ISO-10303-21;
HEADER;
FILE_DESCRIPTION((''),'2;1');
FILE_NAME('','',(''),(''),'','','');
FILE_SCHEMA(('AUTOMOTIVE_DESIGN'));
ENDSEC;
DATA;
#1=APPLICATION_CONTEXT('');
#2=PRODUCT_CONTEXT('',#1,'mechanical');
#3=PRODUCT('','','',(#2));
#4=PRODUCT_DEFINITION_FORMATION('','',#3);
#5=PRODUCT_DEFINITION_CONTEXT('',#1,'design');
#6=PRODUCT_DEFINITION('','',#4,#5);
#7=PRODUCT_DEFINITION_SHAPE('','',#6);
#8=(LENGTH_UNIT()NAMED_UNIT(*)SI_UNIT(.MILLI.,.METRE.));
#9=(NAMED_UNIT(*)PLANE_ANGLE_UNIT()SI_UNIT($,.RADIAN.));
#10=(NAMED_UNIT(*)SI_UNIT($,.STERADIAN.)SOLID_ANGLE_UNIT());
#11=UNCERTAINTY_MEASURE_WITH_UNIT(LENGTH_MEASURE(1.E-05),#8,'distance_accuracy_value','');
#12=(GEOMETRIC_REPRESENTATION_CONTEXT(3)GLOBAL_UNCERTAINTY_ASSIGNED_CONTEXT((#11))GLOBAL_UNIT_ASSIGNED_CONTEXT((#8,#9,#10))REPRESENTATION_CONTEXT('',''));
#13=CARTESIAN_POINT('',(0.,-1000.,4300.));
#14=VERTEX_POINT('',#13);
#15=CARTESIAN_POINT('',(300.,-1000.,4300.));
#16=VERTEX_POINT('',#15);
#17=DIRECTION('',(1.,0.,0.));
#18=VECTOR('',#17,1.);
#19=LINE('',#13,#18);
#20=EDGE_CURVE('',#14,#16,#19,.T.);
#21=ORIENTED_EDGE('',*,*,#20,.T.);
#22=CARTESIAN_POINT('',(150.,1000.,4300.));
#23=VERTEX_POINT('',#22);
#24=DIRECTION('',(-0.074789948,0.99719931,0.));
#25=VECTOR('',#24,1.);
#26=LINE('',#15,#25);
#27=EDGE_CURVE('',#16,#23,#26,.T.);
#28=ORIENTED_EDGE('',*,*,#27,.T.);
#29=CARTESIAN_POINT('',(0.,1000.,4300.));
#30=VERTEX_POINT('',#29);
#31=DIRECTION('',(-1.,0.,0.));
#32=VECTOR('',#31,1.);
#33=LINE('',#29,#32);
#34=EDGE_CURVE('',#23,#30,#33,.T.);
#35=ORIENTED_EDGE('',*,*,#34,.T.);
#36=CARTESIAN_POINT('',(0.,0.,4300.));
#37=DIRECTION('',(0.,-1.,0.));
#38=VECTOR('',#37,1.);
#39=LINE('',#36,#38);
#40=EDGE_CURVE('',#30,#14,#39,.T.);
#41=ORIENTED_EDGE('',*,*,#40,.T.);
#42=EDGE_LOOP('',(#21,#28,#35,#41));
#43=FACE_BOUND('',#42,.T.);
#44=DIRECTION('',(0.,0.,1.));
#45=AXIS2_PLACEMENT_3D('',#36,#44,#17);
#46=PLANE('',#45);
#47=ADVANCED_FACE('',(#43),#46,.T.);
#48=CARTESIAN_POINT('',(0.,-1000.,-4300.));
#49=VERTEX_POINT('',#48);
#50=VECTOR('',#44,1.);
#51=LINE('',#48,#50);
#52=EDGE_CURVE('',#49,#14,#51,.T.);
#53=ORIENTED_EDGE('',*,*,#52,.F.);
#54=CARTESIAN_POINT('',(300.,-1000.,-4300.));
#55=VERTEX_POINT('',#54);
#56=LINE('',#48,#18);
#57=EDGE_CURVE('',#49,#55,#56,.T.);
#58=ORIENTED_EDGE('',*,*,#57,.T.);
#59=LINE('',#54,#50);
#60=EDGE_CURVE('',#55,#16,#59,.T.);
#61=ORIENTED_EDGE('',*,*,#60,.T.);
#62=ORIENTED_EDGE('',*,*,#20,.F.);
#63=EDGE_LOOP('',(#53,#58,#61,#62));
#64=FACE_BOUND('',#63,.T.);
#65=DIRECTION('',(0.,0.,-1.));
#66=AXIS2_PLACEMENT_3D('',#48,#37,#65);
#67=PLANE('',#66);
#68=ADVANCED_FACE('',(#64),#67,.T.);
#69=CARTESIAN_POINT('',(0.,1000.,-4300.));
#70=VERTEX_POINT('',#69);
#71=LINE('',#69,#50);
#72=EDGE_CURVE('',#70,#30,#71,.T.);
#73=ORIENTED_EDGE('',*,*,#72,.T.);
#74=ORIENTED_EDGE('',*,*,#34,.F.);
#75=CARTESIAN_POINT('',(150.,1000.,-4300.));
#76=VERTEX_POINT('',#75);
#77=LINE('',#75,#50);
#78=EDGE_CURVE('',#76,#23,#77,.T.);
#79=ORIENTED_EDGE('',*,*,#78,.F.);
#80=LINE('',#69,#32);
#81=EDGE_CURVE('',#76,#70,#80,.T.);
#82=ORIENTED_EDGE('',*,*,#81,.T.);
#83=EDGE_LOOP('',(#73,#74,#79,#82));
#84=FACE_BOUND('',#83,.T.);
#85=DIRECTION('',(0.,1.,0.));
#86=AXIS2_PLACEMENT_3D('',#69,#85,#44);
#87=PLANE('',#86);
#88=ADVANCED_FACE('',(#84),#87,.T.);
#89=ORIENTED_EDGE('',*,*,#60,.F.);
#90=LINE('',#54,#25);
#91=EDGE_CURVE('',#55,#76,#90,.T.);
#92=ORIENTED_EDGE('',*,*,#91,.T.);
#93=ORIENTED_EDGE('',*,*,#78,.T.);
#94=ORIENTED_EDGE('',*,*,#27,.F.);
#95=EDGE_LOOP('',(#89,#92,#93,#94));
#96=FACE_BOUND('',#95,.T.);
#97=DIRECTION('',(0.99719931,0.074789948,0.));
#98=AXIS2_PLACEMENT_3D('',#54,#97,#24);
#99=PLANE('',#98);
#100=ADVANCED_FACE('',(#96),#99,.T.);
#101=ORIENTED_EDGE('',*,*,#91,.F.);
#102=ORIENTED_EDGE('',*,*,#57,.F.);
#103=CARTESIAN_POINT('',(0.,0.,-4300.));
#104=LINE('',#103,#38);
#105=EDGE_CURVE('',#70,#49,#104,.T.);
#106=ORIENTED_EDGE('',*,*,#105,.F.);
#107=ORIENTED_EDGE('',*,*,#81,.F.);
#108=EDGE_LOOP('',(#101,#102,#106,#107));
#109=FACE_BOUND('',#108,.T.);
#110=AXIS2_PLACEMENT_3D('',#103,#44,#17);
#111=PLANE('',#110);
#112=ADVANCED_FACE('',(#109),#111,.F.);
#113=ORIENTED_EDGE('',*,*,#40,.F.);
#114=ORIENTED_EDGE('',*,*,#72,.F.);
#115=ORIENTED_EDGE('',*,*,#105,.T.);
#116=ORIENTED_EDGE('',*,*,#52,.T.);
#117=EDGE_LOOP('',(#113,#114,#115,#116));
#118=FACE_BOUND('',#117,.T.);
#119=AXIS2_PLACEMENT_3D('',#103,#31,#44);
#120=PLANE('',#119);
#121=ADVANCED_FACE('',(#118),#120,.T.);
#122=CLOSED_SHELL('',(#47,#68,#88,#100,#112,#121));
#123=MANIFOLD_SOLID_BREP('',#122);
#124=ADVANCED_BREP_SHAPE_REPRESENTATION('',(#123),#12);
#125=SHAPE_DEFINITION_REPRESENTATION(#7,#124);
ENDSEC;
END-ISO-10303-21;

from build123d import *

# Parameters (mm, degrees)
BOSS_EXTRUDE1_DEPTH      = 4300
BOSS_EXTRUDE1_DEPTH_BACK = 4300


with BuildPart() as part:
    # Sketch1 → Boss-Extrude1 (new, two sides: drawn at the far end of the back side and taken through both)
    with BuildSketch(Plane.XY.offset(-BOSS_EXTRUDE1_DEPTH_BACK)):
        Polygon((0, 0), (0, 1000), (150, 1000), (300, -1000), (0, -1000), align=None)
    extrude(amount=BOSS_EXTRUDE1_DEPTH + BOSS_EXTRUDE1_DEPTH_BACK)


solid = part.part
